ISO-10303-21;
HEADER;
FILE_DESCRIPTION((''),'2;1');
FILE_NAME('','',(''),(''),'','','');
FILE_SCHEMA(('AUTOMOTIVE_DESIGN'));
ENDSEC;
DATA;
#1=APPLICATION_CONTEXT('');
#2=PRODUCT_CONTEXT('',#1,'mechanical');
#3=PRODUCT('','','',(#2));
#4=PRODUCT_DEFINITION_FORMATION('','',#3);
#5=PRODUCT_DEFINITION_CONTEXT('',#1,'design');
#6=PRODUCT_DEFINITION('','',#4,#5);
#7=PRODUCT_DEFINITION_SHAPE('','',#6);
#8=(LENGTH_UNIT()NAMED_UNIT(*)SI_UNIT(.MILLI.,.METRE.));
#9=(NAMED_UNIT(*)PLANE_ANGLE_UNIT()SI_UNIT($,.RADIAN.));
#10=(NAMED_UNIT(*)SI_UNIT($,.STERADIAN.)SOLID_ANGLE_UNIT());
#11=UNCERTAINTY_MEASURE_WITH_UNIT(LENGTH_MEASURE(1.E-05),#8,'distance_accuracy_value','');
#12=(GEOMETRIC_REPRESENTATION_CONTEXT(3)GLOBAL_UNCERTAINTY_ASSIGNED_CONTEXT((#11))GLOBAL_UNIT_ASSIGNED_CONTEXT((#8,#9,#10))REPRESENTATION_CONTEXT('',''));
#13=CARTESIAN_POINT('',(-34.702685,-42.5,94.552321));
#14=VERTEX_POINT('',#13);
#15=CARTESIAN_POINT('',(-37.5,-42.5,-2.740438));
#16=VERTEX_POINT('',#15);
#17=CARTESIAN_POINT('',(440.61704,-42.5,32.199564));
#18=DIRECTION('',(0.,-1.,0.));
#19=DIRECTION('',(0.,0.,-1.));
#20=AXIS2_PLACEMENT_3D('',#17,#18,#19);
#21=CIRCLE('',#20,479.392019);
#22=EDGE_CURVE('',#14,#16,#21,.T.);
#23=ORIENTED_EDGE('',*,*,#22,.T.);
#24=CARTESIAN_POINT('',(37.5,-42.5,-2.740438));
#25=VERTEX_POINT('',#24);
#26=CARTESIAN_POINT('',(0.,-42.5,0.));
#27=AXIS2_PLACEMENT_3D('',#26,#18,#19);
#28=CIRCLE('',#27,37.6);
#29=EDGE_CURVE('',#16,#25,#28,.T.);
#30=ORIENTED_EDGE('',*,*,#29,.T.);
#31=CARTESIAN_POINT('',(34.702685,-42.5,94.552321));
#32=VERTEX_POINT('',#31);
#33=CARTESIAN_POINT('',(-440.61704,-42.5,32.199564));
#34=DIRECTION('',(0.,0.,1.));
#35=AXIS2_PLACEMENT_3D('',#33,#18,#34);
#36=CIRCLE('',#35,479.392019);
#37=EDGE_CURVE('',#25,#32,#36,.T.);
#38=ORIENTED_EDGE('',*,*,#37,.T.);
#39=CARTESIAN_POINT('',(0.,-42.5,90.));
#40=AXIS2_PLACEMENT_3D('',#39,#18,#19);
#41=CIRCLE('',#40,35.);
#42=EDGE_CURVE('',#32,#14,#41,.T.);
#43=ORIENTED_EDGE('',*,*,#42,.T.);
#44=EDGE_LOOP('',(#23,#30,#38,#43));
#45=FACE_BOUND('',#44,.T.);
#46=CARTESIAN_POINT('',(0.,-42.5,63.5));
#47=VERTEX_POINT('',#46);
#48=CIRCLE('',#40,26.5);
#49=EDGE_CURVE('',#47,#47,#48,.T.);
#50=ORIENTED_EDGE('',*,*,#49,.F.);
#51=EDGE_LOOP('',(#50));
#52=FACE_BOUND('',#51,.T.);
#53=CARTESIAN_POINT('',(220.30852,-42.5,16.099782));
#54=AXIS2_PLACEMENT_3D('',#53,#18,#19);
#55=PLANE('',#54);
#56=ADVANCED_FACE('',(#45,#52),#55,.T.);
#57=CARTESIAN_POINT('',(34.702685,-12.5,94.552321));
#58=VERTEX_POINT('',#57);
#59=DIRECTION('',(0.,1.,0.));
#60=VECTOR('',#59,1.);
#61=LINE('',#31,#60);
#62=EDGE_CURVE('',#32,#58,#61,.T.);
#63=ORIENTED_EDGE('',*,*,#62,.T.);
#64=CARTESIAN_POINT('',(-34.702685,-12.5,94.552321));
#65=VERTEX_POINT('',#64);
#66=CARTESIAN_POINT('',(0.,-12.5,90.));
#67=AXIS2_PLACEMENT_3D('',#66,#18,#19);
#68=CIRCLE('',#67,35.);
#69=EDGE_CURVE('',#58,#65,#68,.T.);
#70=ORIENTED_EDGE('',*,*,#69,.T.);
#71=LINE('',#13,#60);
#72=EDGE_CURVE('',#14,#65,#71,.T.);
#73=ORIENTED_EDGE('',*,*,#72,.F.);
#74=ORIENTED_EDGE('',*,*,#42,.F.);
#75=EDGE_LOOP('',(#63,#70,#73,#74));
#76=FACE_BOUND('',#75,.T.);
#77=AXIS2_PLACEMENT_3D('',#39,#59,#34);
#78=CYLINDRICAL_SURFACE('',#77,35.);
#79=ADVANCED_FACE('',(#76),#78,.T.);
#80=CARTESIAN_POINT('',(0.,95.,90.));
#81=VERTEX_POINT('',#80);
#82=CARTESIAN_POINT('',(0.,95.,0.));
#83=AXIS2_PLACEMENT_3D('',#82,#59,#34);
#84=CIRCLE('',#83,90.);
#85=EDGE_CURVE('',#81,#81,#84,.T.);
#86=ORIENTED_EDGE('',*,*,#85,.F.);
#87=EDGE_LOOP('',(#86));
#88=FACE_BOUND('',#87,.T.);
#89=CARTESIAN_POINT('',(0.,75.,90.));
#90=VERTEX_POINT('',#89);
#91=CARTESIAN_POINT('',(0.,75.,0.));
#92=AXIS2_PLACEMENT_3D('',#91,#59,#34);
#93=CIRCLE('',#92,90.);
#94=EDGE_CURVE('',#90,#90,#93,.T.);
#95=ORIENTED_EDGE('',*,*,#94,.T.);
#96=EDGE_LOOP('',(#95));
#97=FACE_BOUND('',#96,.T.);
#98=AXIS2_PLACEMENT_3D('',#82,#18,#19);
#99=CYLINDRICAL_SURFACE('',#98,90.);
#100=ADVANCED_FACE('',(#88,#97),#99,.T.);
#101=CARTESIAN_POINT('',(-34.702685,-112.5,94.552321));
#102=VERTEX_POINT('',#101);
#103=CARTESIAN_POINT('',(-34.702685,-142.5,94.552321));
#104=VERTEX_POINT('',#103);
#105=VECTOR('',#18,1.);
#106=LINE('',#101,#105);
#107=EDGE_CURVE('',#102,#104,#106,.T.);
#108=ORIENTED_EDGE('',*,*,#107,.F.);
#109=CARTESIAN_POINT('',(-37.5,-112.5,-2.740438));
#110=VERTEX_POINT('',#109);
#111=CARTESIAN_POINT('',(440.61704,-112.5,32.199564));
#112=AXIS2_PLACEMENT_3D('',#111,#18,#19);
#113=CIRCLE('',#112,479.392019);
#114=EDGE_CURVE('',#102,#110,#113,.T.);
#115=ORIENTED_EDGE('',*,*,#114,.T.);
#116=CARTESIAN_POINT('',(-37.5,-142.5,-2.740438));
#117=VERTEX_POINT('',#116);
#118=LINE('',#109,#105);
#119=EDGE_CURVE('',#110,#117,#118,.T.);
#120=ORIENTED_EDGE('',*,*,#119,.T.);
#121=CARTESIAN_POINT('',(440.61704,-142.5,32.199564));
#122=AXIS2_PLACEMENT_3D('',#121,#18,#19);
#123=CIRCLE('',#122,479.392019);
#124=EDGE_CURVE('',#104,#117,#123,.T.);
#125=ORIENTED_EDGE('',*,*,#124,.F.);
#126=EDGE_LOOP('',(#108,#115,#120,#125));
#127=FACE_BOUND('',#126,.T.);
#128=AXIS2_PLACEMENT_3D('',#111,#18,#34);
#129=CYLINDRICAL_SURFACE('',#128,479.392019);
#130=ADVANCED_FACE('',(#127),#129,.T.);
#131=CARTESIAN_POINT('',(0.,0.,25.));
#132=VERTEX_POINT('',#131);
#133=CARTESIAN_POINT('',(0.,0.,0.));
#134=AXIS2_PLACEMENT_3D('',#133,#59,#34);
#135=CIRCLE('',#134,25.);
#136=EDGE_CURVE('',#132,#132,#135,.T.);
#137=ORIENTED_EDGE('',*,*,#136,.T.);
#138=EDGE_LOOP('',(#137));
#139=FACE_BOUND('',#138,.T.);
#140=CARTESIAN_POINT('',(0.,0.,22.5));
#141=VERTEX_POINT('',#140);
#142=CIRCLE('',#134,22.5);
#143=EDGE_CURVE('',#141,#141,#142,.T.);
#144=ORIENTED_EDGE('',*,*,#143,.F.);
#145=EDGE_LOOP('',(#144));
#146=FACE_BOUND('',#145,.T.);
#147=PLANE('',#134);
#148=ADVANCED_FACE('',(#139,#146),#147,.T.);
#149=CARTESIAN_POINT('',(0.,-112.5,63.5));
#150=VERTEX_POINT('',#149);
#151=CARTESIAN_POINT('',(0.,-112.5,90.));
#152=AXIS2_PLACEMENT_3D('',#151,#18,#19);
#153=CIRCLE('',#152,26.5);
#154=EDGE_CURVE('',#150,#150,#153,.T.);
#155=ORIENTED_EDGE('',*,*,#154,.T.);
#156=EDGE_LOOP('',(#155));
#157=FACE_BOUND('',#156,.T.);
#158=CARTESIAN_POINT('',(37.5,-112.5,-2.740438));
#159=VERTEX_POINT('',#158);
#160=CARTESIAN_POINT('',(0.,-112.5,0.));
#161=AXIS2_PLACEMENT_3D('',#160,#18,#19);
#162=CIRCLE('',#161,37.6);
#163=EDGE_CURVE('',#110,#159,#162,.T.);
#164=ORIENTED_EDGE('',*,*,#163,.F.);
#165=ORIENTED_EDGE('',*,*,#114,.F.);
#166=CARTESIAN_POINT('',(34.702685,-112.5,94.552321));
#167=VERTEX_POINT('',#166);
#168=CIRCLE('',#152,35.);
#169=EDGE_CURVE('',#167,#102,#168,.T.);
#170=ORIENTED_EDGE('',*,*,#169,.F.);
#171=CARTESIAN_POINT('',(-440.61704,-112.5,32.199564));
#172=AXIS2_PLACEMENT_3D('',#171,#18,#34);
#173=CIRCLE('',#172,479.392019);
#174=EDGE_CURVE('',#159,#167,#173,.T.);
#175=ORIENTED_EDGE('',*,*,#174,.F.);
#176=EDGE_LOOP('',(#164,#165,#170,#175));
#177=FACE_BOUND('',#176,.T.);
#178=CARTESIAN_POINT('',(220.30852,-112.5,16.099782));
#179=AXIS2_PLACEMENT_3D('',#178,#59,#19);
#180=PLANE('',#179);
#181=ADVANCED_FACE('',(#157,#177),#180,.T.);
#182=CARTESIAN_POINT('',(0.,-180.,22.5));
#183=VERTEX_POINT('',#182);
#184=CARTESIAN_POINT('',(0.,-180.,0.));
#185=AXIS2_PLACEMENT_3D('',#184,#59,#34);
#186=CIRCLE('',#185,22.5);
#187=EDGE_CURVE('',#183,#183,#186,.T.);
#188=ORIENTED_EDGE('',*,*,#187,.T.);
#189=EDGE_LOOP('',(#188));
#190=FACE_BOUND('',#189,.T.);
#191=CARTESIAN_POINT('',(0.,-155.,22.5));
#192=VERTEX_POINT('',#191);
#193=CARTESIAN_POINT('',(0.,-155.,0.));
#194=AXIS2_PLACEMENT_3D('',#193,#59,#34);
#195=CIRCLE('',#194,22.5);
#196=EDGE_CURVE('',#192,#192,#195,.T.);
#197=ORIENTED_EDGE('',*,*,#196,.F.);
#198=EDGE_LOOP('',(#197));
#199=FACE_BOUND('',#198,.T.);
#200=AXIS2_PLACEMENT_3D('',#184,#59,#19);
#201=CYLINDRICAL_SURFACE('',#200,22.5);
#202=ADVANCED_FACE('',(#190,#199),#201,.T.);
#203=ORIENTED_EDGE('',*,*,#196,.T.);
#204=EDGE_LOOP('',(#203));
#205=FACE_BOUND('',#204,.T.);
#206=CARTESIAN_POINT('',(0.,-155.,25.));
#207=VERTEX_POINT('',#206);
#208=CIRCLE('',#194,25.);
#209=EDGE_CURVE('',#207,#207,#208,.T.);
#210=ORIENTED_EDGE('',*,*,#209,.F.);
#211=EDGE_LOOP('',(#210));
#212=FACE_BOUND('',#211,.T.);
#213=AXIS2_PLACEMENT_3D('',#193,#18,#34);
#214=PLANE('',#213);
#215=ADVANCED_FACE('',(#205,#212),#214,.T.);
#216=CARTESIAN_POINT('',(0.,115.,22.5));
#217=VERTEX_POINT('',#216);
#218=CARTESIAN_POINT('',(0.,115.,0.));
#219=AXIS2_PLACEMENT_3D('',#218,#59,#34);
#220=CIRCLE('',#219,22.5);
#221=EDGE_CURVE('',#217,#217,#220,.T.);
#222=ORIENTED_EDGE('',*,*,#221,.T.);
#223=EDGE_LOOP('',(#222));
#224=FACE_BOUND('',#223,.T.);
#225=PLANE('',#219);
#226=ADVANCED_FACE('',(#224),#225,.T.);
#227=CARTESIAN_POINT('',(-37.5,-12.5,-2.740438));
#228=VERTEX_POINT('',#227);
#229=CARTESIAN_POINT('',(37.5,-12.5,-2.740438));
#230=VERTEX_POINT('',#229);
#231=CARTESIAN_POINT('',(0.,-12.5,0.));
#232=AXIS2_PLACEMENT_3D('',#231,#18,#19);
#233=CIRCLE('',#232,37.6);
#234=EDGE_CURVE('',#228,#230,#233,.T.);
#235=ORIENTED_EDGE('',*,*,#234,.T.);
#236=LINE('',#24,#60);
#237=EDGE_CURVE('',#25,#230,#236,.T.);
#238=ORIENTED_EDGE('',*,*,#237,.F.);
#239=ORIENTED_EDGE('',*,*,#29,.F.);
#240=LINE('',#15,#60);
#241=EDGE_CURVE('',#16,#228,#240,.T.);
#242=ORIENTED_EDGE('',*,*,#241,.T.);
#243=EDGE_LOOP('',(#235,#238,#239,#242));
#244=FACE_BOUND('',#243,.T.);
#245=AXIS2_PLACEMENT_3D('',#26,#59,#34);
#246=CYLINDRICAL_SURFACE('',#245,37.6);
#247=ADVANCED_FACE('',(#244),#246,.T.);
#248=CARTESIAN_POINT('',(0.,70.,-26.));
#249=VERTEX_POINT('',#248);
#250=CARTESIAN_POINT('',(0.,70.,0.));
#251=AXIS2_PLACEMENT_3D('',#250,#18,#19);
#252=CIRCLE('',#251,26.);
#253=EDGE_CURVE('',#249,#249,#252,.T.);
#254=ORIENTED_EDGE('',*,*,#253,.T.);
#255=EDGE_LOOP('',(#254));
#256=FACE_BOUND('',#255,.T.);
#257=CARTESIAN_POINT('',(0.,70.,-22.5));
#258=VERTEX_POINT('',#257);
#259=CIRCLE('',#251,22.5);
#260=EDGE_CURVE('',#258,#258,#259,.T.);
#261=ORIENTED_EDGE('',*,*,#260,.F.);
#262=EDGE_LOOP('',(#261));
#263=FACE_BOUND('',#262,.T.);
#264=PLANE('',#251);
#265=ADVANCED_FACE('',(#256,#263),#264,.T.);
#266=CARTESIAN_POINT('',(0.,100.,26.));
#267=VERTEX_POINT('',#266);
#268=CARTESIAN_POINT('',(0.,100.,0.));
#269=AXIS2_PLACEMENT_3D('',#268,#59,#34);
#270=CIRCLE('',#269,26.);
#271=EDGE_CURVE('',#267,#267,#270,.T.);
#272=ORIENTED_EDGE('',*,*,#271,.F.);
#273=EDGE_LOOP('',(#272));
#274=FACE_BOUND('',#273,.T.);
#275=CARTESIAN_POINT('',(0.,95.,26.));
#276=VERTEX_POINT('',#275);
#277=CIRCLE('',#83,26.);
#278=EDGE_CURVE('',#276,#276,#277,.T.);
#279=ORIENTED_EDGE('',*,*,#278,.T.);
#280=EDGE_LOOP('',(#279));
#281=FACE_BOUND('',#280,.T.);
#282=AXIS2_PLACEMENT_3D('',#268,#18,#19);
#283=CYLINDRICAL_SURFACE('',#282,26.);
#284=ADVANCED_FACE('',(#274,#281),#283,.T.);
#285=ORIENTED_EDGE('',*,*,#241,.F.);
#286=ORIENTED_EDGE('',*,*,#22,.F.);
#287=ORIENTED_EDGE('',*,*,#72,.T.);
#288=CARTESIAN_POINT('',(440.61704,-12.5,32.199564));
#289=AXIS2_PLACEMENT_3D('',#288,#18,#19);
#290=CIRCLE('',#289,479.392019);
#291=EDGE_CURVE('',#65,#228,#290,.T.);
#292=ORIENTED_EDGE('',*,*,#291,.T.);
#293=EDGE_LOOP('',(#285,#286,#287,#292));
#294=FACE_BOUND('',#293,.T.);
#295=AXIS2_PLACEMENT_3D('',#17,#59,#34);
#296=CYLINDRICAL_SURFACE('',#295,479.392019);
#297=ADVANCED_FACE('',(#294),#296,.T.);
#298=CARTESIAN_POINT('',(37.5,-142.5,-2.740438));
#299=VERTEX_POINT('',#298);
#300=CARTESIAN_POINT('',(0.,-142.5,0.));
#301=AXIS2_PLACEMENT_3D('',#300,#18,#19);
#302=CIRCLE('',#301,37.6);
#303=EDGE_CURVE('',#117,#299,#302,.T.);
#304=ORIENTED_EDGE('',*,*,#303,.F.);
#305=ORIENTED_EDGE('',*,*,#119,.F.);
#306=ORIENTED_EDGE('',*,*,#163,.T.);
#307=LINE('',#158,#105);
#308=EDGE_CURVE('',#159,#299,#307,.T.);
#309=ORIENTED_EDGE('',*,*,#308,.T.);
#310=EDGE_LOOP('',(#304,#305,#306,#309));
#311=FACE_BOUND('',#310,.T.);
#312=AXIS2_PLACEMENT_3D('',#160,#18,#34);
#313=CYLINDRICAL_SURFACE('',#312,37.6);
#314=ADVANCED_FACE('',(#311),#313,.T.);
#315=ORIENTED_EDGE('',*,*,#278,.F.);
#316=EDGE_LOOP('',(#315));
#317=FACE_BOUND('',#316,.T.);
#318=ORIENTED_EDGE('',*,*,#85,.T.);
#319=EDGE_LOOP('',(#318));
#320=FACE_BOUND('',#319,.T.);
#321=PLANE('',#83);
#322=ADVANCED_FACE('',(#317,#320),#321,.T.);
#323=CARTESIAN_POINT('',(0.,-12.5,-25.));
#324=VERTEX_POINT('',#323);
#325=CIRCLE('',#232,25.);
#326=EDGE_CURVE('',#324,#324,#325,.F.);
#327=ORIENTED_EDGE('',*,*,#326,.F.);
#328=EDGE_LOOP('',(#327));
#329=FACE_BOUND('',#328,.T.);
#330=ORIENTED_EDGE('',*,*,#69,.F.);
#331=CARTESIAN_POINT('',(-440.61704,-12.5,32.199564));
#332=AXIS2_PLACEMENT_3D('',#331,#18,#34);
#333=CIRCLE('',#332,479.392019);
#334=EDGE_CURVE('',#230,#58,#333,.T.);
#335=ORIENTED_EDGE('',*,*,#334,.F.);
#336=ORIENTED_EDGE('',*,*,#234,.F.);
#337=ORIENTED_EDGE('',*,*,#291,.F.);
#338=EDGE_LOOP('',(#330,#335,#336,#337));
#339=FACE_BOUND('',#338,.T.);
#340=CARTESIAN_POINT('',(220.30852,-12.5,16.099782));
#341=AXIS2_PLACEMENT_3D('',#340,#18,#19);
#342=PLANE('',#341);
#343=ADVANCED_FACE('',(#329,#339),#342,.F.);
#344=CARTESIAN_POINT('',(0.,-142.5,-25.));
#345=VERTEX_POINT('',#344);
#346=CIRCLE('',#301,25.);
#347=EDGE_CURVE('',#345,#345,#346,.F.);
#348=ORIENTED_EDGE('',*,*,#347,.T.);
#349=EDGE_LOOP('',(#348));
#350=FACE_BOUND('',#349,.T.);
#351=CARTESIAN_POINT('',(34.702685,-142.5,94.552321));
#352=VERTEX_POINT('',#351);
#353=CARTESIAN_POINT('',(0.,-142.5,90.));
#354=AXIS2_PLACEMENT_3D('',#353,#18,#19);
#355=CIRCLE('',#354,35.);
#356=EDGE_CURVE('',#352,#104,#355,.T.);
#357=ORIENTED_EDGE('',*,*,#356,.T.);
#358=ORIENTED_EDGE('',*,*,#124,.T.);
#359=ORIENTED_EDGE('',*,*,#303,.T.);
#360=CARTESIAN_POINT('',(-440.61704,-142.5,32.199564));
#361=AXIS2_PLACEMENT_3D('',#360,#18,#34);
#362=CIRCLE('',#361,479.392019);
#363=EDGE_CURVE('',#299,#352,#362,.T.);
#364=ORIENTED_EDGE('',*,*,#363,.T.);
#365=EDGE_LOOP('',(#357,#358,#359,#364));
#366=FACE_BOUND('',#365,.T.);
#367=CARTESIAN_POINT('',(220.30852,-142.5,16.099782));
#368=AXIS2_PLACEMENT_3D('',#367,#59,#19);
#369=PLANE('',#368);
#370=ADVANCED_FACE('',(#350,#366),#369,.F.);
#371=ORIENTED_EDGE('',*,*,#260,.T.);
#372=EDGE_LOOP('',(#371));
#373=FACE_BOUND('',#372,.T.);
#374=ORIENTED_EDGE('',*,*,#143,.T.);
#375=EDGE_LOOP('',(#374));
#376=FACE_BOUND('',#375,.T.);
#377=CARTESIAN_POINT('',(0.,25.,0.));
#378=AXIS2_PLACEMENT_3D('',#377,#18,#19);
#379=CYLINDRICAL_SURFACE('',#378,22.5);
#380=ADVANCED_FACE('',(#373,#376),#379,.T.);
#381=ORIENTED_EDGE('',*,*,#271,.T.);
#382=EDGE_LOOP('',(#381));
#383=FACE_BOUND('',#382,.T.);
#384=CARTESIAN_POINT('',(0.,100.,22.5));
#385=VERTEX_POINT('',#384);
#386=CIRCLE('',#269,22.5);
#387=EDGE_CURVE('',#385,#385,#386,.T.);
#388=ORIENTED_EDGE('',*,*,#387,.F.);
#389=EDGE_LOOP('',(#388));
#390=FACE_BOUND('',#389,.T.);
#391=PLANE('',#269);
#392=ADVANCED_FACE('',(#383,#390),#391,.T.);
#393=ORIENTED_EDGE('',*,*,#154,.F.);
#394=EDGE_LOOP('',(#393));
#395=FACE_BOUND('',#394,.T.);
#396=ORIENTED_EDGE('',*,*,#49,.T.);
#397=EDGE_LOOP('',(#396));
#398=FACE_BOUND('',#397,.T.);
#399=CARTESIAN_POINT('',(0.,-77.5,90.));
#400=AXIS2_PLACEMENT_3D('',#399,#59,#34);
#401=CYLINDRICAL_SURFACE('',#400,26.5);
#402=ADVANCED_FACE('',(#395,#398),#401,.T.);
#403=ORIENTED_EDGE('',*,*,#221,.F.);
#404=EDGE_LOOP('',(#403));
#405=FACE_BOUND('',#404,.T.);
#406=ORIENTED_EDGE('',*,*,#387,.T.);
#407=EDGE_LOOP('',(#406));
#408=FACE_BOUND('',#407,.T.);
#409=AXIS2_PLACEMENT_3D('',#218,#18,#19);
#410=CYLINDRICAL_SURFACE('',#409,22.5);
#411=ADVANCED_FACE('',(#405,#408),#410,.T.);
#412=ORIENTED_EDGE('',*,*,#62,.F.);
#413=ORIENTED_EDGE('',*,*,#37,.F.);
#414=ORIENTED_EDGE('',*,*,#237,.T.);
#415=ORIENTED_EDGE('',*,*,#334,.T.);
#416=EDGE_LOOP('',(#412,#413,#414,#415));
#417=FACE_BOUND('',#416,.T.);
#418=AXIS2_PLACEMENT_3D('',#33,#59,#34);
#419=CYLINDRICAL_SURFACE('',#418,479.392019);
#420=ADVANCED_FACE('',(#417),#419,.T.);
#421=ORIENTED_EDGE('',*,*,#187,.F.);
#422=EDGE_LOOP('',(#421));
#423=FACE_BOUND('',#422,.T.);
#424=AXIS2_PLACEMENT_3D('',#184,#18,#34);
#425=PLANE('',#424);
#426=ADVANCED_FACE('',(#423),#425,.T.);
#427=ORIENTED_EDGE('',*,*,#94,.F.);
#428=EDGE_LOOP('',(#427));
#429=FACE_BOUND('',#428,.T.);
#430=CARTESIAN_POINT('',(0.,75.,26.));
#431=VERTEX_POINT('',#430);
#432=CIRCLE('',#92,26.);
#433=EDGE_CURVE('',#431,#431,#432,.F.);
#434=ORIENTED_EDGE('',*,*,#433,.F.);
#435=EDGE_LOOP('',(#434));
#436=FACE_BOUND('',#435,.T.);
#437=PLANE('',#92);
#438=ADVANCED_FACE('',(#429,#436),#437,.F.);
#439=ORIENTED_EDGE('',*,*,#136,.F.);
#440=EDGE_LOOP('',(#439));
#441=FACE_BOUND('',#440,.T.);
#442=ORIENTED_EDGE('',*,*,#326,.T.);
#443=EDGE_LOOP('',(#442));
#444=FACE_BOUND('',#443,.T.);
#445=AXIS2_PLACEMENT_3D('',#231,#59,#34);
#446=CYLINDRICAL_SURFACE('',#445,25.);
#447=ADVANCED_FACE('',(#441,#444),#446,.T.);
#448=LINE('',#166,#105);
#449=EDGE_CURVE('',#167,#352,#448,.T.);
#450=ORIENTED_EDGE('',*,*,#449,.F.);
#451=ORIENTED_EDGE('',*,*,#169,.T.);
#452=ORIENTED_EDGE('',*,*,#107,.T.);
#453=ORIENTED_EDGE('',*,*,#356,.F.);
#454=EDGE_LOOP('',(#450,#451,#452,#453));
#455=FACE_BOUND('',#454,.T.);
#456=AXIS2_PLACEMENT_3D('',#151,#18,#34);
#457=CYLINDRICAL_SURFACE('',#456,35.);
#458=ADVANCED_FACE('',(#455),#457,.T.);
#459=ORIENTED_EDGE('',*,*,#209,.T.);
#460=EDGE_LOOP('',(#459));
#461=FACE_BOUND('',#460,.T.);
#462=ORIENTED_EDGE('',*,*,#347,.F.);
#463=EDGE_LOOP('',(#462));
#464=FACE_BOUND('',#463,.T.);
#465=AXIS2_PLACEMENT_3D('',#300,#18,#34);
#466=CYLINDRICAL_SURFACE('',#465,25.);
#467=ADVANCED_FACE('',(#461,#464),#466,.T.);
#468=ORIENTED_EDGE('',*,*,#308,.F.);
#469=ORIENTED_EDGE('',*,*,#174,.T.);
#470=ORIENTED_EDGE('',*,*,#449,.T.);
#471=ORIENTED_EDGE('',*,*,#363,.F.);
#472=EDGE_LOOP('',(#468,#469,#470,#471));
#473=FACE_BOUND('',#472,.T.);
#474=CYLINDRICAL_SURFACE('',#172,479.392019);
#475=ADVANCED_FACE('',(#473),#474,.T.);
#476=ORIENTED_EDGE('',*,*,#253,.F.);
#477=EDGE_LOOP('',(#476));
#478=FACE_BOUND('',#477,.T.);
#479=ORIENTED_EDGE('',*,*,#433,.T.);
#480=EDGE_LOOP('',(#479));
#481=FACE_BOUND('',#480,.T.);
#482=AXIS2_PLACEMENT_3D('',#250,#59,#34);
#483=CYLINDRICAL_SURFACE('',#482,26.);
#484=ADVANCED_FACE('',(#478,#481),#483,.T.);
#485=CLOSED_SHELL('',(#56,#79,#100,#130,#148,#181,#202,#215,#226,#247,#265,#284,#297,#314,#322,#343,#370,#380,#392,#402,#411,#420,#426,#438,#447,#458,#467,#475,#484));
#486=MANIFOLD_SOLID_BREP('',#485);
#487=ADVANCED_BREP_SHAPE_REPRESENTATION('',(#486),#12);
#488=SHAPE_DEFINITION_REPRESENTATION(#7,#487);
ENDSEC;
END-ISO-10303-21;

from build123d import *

# Parameters (mm, degrees)
SKETCH1_R           = 22.5
BOSS_EXTRUDE1_DEPTH = 25
SKETCH2_R           = 25
BOSS_EXTRUDE2_DEPTH = 12.5
BOSS_EXTRUDE3_DEPTH = 30
SKETCH4_R           = 26.5
BOSS_EXTRUDE4_DEPTH = 35
SKETCH5_R           = 22.5
BOSS_EXTRUDE5_DEPTH = 50
SKETCH6_R           = 90
BOSS_EXTRUDE6_DEPTH = 20
SKETCH7_R           = 22.5
BOSS_EXTRUDE7_DEPTH = 20
SKETCH8_R           = 26
BOSS_EXTRUDE8_DEPTH = 5
BOSS_EXTRUDE9_START = 5
SKETCH9_R           = 26
BOSS_EXTRUDE9_DEPTH = 5


with BuildPart() as part:
    # Sketch1 → Boss-Extrude1 (new body)
    with BuildSketch(Plane(origin=(0, 0, 0), x_dir=(1, 0, 0), z_dir=(0, 1, 0))):
        with Locations(Location((0, 0, 0), (0, 0, 270))):
            Circle(SKETCH1_R)
    extrude(amount=BOSS_EXTRUDE1_DEPTH)

    # Sketch2 → Boss-Extrude2 (add)
    with BuildSketch(Plane(origin=(0, 0, 0), x_dir=(1, 0, 0), z_dir=(0, 1, 0))):
        with Locations(Location((0, 0, 0), (0, 0, 270))):
            Circle(SKETCH2_R)
    extrude(amount=-BOSS_EXTRUDE2_DEPTH)

    # Sketch3 → Boss-Extrude3 (add)
    with BuildSketch(Plane.XZ.offset(12.5)):
        with BuildLine():
            ThreePointArc((-37.5, -2.740437921), (0, -37.6), (37.5, -2.740437921))
            ThreePointArc((37.5, -2.740437921), (38.576956863, 45.97711937), (34.702685351, 94.552321322))
            ThreePointArc((34.702685351, 94.552321322), (0, 125), (-34.702685351, 94.552321322))
            ThreePointArc((-34.702685351, 94.552321322), (-38.576956863, 45.97711937), (-37.5, -2.740437921))
        make_face()
    extrude(amount=BOSS_EXTRUDE3_DEPTH)

    # Sketch4 → Boss-Extrude4 (add)
    with BuildSketch(Plane.XZ.offset(42.5)):
        with Locations(Location((0, 90, 0), (0, 0, 270))):
            Circle(SKETCH4_R)
    extrude(amount=BOSS_EXTRUDE4_DEPTH)

    # Mirror1: part across plane


with BuildPart() as part_1:
    add(part.part)
    add(part.part.mirror(Plane(origin=(0, -77.5, 90), x_dir=(0, 0, 1), z_dir=(0, -1, 0))))

    # Sketch5 → Boss-Extrude5 (add)
    with BuildSketch(Plane(origin=(0, 25, 0), x_dir=(1, 0, 0), z_dir=(0, 1, 0))):
        with Locations(Location((0, 0, 0), (0, 0, 270))):
            Circle(SKETCH5_R)
    extrude(amount=BOSS_EXTRUDE5_DEPTH)

    # Sketch6 → Boss-Extrude6 (add)
    with BuildSketch(Plane(origin=(0, 75, 0), x_dir=(1, 0, 0), z_dir=(0, 1, 0))):
        with Locations(Location((0, 0, 0), (0, 0, 270))):
            Circle(SKETCH6_R)
    extrude(amount=BOSS_EXTRUDE6_DEPTH)

    # Sketch7 → Boss-Extrude7 (add)
    with BuildSketch(Plane(origin=(0, 95, 0), x_dir=(1, 0, 0), z_dir=(0, 1, 0))):
        with Locations(Location((0, 0, 0), (0, 0, 270))):
            Circle(SKETCH7_R)
    extrude(amount=BOSS_EXTRUDE7_DEPTH)

    # Sketch8 → Boss-Extrude8 (add)
    with BuildSketch(Plane.XZ.offset(-75)):
        with Locations(Location((0, 0, 0), (0, 0, 90))):
            Circle(SKETCH8_R)
    extrude(amount=BOSS_EXTRUDE8_DEPTH)

    # Sketch9 → Boss-Extrude9 (add)
    with BuildSketch(Plane(origin=(0, 95, 0), x_dir=(1, 0, 0), z_dir=(0, 1, 0)).offset(BOSS_EXTRUDE9_START)):
        with Locations(Location((0, 0, 0), (0, 0, 270))):
            Circle(SKETCH9_R)
    extrude(amount=-BOSS_EXTRUDE9_DEPTH)


solid = part_1.part
